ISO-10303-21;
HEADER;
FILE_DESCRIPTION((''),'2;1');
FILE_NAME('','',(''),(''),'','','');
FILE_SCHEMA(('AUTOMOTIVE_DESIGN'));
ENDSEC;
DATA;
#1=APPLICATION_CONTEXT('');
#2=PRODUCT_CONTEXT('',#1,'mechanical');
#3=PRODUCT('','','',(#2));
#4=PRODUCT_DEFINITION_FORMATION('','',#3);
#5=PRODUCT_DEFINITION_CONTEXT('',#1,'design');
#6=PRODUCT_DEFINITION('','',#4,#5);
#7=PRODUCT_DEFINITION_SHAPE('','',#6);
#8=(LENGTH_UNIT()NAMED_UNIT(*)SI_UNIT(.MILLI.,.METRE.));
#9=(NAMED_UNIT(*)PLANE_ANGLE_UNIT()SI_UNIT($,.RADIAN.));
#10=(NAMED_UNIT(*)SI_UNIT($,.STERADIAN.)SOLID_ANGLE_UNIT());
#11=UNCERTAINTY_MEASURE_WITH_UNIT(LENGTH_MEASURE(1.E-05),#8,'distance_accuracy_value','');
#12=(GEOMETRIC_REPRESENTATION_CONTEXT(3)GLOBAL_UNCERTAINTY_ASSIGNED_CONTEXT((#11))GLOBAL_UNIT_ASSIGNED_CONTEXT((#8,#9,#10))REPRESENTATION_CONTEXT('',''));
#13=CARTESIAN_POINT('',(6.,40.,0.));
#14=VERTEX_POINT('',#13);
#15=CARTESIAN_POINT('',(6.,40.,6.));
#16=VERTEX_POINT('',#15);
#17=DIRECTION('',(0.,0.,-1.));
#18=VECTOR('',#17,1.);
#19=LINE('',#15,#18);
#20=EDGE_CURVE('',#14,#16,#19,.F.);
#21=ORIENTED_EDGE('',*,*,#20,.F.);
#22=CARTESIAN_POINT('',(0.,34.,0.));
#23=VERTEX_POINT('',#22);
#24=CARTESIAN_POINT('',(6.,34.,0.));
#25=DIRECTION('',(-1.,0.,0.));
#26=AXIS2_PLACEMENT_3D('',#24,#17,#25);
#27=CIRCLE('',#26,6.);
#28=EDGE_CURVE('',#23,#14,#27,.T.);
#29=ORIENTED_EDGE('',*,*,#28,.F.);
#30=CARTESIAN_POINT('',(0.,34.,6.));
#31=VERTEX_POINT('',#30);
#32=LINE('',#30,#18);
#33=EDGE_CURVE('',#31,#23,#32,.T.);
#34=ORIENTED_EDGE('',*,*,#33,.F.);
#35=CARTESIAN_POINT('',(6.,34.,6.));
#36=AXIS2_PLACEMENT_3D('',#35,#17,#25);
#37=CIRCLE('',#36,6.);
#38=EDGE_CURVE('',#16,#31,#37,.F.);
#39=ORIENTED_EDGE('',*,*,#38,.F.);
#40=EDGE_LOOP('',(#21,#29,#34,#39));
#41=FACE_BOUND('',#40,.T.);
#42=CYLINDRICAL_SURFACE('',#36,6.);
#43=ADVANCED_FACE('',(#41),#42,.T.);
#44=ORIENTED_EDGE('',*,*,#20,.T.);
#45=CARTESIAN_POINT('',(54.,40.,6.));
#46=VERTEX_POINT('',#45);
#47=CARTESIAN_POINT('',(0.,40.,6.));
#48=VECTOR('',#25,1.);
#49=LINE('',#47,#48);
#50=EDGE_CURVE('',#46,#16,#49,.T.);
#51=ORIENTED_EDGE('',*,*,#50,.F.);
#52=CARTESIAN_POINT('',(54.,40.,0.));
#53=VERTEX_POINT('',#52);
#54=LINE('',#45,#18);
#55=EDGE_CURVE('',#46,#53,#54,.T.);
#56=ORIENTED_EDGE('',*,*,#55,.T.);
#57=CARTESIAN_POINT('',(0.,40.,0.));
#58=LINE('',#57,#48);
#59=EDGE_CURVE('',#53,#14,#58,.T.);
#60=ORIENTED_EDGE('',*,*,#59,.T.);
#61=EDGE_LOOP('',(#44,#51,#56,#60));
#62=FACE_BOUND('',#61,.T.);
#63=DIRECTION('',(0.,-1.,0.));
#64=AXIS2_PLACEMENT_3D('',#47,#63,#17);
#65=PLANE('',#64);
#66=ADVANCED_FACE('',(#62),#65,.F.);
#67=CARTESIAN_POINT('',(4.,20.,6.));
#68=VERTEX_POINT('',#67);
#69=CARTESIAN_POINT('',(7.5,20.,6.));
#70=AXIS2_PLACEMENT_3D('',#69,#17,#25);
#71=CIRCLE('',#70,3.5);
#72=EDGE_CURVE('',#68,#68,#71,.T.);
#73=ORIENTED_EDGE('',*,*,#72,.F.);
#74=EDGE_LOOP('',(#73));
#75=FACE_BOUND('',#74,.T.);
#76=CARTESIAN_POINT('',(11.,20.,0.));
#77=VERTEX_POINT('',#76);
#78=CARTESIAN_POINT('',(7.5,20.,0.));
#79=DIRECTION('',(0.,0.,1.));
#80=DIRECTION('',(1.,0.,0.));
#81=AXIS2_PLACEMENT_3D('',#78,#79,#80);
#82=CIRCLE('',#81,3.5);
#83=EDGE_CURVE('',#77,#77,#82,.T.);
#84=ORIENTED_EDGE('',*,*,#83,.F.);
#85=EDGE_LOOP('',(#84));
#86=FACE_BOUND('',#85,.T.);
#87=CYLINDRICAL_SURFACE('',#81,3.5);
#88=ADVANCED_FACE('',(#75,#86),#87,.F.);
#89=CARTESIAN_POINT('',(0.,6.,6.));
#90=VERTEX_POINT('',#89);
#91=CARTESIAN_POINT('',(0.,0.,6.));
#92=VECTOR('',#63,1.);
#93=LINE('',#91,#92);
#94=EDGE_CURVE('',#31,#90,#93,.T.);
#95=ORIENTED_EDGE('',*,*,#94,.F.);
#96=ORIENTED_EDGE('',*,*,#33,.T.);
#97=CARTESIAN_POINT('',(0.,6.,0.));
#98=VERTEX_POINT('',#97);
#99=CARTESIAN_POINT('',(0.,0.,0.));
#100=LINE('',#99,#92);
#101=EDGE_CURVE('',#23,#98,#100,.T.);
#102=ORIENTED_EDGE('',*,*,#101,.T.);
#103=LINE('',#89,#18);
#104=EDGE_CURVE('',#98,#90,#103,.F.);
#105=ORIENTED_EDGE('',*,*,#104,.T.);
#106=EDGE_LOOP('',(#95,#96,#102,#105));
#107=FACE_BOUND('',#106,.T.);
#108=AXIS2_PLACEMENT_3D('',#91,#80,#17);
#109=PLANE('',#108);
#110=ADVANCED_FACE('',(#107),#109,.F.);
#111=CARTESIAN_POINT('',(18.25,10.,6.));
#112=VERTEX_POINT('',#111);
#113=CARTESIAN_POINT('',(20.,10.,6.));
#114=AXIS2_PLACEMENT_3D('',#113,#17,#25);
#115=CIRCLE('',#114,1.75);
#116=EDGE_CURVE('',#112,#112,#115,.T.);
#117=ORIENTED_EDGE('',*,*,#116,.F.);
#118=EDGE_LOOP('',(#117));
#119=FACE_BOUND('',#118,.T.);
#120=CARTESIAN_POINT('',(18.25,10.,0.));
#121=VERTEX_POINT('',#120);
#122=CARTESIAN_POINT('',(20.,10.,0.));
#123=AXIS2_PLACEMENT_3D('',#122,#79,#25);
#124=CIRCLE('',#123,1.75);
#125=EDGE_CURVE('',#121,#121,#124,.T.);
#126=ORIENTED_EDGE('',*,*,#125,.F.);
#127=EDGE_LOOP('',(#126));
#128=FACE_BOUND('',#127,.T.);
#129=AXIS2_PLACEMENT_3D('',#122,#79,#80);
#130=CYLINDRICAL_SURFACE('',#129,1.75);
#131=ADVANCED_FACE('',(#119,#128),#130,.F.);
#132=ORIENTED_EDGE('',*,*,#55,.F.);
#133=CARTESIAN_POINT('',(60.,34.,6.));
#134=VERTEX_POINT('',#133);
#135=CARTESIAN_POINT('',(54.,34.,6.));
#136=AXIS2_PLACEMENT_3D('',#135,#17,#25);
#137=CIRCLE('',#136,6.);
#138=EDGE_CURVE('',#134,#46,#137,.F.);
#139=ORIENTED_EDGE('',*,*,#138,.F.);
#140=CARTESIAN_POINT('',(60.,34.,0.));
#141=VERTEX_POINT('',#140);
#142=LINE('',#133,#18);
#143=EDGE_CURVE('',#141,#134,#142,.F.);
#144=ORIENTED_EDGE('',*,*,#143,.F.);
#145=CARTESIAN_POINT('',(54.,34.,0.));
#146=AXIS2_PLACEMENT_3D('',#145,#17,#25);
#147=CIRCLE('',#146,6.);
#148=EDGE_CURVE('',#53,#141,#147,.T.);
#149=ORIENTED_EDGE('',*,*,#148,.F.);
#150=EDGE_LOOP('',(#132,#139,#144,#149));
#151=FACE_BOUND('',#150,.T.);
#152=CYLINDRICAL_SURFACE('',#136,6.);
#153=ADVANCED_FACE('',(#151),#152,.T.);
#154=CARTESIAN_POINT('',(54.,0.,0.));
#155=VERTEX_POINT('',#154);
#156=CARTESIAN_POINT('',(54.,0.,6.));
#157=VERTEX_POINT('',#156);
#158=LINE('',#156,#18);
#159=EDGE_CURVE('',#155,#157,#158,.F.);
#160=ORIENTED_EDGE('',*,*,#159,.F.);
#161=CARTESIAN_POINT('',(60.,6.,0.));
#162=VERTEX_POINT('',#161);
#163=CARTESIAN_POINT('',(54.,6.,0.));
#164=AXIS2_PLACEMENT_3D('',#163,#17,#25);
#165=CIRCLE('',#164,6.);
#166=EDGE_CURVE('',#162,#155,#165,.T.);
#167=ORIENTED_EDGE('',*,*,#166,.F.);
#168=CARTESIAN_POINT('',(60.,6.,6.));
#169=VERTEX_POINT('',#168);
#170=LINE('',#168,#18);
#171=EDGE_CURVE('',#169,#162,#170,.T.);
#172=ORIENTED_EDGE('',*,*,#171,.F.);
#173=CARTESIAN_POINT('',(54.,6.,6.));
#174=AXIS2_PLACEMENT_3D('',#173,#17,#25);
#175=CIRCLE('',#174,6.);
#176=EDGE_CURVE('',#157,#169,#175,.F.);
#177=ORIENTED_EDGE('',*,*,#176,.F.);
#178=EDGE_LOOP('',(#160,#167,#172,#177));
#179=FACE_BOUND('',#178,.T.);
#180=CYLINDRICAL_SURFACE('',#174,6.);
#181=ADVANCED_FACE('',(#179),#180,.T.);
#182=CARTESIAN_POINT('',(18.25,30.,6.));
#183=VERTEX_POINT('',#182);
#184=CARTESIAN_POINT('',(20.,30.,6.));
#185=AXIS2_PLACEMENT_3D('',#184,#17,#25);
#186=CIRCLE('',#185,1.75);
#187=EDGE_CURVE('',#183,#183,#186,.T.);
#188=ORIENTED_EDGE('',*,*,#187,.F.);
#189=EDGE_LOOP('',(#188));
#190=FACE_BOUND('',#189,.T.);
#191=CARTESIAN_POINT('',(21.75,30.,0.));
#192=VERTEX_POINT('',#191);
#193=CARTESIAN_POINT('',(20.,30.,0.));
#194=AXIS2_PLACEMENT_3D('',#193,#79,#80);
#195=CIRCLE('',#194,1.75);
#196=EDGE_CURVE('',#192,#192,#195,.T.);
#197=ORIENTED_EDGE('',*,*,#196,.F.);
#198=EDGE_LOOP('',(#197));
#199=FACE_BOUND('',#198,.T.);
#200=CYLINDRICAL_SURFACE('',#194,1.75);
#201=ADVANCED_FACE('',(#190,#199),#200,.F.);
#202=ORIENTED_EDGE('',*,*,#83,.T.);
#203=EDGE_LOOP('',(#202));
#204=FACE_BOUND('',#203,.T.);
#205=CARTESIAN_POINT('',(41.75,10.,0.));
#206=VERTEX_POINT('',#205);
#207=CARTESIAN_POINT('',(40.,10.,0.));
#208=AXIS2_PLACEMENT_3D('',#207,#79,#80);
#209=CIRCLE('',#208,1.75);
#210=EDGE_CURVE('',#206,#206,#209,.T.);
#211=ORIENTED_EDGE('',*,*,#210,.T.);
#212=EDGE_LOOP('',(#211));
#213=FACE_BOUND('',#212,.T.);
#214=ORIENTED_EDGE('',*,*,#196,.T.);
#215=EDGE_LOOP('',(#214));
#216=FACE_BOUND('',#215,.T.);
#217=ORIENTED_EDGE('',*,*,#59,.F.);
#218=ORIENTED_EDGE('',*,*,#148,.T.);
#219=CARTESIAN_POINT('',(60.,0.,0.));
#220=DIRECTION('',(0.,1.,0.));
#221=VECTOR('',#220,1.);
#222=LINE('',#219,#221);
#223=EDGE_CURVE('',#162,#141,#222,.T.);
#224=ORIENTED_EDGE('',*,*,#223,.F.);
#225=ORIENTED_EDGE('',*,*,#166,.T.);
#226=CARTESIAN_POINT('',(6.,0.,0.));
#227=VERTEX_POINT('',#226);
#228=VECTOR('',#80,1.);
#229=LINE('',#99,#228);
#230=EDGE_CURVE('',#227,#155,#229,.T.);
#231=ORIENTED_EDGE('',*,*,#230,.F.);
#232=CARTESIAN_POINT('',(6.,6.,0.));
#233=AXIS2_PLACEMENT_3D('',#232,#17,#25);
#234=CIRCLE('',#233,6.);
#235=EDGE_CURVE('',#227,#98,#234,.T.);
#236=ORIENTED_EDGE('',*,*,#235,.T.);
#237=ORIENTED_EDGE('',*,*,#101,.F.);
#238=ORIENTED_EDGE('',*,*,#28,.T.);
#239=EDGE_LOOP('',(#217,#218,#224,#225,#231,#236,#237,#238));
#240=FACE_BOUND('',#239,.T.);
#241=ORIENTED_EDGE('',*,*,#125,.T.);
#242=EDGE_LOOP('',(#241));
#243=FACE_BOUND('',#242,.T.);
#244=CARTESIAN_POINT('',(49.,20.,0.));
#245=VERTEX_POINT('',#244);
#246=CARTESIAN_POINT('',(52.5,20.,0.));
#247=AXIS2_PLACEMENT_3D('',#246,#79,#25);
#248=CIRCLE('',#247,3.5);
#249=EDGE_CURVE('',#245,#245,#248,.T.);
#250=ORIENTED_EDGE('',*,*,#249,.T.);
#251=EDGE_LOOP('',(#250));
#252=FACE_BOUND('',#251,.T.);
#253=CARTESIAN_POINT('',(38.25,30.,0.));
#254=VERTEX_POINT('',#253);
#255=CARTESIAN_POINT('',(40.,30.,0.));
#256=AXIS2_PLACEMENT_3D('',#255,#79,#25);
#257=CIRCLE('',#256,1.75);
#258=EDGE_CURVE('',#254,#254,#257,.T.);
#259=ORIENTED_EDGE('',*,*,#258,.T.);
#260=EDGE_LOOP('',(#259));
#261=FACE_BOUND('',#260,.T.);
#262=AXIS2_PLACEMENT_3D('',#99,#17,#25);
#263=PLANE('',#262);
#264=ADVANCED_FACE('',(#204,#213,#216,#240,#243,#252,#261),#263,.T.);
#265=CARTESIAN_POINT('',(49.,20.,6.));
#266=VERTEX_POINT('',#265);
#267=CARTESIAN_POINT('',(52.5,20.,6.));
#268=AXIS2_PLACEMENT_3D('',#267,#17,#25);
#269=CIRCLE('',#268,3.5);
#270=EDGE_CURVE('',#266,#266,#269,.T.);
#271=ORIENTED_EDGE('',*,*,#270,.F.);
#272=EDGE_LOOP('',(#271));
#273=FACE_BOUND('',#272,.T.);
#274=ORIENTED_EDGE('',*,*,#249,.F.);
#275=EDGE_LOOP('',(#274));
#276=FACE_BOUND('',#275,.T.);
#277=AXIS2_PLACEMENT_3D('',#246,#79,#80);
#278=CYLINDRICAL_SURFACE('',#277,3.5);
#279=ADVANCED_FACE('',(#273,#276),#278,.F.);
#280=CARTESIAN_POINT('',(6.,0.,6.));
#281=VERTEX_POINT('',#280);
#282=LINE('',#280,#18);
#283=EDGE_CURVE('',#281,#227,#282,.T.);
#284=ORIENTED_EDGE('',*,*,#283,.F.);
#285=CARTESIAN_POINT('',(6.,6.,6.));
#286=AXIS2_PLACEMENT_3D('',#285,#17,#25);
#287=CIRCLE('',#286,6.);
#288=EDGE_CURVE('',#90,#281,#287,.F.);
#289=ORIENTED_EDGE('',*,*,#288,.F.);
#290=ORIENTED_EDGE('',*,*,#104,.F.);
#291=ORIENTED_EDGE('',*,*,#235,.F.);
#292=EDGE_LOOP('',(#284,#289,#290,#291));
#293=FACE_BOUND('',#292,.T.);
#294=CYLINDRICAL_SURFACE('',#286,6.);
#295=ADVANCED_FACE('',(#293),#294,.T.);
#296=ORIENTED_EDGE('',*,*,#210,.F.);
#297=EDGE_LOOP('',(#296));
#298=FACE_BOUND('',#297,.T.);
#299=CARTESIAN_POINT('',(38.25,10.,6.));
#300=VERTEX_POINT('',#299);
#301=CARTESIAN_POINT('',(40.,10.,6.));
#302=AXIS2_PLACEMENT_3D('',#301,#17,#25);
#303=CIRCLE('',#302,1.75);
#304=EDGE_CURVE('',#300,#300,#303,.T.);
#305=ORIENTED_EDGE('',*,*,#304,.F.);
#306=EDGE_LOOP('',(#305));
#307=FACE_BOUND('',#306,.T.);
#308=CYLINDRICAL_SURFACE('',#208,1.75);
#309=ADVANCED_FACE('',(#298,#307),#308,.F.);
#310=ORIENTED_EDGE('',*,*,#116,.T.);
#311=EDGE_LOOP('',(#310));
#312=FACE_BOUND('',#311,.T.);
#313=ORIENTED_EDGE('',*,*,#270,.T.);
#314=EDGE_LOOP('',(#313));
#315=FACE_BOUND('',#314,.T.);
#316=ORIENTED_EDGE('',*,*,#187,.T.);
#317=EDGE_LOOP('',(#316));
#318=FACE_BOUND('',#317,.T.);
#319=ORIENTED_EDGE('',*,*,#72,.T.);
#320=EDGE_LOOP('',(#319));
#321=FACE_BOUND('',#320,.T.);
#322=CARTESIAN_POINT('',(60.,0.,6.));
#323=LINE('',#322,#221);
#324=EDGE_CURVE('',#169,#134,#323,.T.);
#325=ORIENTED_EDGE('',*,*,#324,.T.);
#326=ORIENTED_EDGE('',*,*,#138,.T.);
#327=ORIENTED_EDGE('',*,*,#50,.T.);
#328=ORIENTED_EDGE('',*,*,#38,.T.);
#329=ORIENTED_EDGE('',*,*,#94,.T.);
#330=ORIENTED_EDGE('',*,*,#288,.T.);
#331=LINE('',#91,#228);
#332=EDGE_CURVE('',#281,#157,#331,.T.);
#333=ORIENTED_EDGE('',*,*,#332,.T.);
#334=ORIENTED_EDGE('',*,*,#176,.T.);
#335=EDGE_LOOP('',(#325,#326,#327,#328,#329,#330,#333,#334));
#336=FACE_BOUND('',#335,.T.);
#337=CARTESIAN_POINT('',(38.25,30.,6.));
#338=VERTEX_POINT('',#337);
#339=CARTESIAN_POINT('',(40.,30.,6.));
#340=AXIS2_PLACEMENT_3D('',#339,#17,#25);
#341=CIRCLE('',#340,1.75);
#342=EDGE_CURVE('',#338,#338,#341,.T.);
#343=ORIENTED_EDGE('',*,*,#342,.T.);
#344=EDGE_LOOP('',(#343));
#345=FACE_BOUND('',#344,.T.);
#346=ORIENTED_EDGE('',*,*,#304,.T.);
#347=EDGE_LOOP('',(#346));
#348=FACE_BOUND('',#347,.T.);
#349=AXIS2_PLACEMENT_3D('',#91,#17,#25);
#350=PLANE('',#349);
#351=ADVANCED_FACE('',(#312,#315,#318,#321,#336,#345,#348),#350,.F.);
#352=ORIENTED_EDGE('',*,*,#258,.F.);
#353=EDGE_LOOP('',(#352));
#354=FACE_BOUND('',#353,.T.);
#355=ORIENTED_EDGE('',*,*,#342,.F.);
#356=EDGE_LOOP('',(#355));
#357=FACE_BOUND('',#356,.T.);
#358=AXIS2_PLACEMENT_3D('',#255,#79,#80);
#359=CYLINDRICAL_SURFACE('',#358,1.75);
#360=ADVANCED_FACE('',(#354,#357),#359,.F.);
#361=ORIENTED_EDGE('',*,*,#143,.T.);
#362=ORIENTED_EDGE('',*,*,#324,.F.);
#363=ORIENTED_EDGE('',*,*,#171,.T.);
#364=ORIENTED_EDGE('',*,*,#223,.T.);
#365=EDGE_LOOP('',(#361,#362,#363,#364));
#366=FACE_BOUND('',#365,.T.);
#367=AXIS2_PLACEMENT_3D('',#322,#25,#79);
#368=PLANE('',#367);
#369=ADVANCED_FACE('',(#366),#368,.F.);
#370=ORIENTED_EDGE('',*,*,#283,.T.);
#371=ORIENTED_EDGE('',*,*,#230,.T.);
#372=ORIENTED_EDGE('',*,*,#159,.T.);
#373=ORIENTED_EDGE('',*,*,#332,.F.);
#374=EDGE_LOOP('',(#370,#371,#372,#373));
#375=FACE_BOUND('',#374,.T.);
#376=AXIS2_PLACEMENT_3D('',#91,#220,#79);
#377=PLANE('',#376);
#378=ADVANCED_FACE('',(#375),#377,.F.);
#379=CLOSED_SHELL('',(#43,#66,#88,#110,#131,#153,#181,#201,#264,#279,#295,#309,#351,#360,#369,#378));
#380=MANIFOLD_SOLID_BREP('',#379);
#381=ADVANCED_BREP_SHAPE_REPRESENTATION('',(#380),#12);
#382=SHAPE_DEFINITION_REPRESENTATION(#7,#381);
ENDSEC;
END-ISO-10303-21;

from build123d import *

# Parameters (mm, degrees)
ESQUISSE1_W                  = 60
ESQUISSE1_H                  = 40
BOSS_EXTRU_1_DEPTH           = 6
ESQUISSE2_R                  = 1.75
ESQUISSE2_R_2                = 3.5
ENL_V_MAT_EXTRU_1_DEPTH      = 1
ENL_V_MAT_EXTRU_1_DEPTH_BACK = 7
CONG_1_R                     = 6


with BuildPart() as part:
    # Esquisse1 → Boss.-Extru.1 (new body)
    with BuildSketch(Plane.XY):
        with Locations((30, 20)):
            Rectangle(ESQUISSE1_W, ESQUISSE1_H)
    extrude(amount=BOSS_EXTRU_1_DEPTH)

    # Esquisse2 → Enlèv. mat.-Extru.1 (cut, two sides)
    with BuildSketch(Plane.XY.offset(6)) as enl_v_mat_extru_1_sk:
        with Locations((20, 30)):
            Circle(ESQUISSE2_R)
        with Locations((40, 30)):
            Circle(ESQUISSE2_R)
        with Locations((40, 10)):
            Circle(ESQUISSE2_R)
        with Locations((20, 10)):
            Circle(ESQUISSE2_R)
        with Locations((7.5, 20)):
            Circle(ESQUISSE2_R_2)
        with Locations((52.5, 20)):
            Circle(ESQUISSE2_R_2)
    extrude(amount=ENL_V_MAT_EXTRU_1_DEPTH, mode=Mode.SUBTRACT)
    extrude(enl_v_mat_extru_1_sk.sketch, amount=-ENL_V_MAT_EXTRU_1_DEPTH_BACK, mode=Mode.SUBTRACT)

    # Congé1
    cong_1_edges = [part.edges().sort_by_distance(p)[0] for p in [
        (0, 40, 3),
        (60, 40, 3),
        (60, 0, 3),
        (0, 0, 3),
    ]]
    fillet(cong_1_edges, radius=CONG_1_R)


solid = part.part
